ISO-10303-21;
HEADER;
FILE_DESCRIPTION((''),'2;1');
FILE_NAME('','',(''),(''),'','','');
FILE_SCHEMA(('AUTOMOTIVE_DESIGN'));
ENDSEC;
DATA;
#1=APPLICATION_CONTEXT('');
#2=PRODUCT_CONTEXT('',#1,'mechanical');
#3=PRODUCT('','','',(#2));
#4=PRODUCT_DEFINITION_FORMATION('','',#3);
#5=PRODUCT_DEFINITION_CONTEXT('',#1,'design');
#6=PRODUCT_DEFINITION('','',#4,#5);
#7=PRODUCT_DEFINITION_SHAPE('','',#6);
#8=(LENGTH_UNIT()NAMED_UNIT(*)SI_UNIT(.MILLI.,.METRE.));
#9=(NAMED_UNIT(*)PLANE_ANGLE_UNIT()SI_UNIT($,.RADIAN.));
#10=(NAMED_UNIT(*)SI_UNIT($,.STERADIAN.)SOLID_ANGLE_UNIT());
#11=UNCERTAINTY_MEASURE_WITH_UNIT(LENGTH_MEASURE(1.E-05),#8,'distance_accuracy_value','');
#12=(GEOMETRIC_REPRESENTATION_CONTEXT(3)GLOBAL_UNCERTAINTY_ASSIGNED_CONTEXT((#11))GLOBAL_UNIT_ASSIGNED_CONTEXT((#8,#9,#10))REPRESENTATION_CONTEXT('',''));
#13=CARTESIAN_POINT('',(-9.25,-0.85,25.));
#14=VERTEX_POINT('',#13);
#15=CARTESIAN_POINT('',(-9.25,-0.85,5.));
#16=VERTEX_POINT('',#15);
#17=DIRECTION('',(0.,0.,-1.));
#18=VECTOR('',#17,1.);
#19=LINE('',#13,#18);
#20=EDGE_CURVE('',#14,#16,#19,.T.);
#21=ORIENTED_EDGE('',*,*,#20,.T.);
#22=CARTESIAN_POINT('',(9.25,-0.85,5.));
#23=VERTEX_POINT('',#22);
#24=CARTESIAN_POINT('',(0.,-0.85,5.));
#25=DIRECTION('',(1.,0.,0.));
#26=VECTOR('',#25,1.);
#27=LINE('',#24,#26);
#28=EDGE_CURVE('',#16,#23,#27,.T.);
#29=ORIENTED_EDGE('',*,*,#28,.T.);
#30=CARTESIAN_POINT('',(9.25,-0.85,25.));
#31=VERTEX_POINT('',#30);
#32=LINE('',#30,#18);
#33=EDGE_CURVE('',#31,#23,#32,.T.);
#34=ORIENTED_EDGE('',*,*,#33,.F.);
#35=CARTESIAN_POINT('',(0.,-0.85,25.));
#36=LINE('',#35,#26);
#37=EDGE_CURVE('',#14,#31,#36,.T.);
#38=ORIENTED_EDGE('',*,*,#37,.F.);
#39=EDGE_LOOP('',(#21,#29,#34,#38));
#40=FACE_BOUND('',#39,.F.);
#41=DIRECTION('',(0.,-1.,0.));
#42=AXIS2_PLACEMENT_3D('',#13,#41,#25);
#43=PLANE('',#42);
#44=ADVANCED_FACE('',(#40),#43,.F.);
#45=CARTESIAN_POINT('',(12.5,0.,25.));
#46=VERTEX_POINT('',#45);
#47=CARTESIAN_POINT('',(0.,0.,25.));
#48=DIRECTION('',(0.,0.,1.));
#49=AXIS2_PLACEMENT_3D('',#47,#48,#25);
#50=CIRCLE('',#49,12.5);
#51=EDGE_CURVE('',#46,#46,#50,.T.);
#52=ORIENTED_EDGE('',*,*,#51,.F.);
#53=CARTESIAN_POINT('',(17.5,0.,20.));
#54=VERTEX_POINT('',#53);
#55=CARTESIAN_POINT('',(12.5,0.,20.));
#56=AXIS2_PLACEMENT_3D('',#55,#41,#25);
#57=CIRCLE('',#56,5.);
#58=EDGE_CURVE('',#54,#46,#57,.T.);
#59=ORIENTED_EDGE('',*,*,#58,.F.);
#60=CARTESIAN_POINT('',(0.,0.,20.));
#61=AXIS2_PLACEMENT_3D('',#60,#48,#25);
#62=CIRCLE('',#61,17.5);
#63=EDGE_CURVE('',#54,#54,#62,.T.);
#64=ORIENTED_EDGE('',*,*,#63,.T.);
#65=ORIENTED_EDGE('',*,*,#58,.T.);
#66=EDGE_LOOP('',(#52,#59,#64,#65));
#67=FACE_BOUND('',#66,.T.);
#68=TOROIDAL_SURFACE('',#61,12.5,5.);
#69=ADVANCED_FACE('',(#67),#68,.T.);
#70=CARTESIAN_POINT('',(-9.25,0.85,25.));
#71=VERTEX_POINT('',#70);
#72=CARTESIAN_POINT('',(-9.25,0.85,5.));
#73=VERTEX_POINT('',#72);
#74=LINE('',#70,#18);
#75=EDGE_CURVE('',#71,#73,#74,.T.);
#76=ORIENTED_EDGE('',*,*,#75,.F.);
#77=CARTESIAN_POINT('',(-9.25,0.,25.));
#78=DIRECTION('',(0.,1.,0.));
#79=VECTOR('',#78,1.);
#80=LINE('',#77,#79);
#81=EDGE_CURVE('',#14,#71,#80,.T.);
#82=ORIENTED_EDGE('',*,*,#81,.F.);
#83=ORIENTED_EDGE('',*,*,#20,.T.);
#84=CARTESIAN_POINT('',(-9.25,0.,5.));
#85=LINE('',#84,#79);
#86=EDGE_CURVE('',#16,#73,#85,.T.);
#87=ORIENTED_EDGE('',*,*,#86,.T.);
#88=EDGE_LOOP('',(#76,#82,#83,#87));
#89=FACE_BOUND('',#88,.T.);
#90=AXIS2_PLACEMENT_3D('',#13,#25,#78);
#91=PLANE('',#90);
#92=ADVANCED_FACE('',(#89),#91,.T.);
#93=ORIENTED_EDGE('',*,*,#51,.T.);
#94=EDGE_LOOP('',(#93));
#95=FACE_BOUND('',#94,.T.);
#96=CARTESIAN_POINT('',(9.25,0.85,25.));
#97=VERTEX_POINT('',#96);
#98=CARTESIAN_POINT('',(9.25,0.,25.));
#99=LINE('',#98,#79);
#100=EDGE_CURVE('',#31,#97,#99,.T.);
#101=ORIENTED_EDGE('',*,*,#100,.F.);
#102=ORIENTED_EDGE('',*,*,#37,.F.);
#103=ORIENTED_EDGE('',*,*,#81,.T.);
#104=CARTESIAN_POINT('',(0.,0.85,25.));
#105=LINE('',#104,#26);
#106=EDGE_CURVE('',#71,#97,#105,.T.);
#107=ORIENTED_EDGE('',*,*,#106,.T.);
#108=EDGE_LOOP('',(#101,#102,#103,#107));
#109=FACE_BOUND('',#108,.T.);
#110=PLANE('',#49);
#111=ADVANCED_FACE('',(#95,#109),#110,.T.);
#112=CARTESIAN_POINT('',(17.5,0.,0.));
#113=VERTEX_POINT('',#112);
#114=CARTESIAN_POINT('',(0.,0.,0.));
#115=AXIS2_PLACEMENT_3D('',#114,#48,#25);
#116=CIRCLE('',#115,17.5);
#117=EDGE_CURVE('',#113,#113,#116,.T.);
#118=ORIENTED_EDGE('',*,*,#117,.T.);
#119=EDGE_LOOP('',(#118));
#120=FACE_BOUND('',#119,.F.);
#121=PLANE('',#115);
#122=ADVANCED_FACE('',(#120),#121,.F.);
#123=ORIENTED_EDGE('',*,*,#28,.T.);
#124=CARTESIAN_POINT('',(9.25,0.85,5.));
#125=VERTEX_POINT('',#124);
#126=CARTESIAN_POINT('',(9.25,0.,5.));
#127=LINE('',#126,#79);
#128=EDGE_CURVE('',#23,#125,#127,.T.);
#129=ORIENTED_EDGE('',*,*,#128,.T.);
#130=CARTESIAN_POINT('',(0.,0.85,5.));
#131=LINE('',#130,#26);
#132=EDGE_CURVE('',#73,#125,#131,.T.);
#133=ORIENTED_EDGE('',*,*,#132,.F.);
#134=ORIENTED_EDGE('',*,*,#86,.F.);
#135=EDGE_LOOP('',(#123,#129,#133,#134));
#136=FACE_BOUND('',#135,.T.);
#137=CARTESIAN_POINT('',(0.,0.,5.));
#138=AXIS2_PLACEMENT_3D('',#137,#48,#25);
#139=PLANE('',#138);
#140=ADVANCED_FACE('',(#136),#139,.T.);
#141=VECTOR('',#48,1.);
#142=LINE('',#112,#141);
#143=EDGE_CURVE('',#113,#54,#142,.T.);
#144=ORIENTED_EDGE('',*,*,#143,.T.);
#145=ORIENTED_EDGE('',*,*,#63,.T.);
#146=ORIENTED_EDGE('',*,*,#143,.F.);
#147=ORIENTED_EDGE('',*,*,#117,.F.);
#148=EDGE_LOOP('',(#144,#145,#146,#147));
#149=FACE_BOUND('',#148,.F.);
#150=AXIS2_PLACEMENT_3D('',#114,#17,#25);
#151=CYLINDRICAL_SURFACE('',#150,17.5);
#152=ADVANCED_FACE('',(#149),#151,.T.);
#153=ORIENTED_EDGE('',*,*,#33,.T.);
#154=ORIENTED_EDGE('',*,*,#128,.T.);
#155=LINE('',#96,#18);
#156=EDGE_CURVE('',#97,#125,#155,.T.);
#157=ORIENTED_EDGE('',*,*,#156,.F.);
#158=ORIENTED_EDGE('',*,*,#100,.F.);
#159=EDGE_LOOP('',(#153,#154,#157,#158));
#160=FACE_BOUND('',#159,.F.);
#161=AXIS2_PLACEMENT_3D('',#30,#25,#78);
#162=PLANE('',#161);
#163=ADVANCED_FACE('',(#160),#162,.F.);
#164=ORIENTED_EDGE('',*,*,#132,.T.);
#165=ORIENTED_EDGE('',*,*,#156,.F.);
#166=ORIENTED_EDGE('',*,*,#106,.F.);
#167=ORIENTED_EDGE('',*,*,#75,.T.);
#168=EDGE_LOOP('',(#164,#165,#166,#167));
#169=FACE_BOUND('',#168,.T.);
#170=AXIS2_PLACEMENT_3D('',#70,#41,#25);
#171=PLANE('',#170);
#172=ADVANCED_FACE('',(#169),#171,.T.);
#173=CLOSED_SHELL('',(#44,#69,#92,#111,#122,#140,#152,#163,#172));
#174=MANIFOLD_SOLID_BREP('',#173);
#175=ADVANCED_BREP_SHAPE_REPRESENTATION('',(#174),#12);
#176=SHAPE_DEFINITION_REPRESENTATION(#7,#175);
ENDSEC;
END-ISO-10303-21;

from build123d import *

# Parameters (mm, degrees)
F0_R     = 17.5
F1_DEPTH = 25
F2_R     = 5
F3_W     = 18.5
F3_H     = 1.7
F4_DEPTH = 20


with BuildPart() as f1:
    # F0 (on Top) → F1 (new body)
    with BuildSketch(Plane.XY):
        Circle(F0_R)
    extrude(amount=F1_DEPTH)

    # F2
    f2_edges = [f1.edges().sort_by_distance(p)[0] for p in [
        (-17.5, 0, 25),
    ]]
    fillet(f2_edges, radius=F2_R)

    # F3 (on face) → F4 (cut)
    with BuildSketch(Plane.XY.offset(25)):
        Rectangle(F3_W, F3_H)
    extrude(amount=-F4_DEPTH, mode=Mode.SUBTRACT)


solid = f1.part
